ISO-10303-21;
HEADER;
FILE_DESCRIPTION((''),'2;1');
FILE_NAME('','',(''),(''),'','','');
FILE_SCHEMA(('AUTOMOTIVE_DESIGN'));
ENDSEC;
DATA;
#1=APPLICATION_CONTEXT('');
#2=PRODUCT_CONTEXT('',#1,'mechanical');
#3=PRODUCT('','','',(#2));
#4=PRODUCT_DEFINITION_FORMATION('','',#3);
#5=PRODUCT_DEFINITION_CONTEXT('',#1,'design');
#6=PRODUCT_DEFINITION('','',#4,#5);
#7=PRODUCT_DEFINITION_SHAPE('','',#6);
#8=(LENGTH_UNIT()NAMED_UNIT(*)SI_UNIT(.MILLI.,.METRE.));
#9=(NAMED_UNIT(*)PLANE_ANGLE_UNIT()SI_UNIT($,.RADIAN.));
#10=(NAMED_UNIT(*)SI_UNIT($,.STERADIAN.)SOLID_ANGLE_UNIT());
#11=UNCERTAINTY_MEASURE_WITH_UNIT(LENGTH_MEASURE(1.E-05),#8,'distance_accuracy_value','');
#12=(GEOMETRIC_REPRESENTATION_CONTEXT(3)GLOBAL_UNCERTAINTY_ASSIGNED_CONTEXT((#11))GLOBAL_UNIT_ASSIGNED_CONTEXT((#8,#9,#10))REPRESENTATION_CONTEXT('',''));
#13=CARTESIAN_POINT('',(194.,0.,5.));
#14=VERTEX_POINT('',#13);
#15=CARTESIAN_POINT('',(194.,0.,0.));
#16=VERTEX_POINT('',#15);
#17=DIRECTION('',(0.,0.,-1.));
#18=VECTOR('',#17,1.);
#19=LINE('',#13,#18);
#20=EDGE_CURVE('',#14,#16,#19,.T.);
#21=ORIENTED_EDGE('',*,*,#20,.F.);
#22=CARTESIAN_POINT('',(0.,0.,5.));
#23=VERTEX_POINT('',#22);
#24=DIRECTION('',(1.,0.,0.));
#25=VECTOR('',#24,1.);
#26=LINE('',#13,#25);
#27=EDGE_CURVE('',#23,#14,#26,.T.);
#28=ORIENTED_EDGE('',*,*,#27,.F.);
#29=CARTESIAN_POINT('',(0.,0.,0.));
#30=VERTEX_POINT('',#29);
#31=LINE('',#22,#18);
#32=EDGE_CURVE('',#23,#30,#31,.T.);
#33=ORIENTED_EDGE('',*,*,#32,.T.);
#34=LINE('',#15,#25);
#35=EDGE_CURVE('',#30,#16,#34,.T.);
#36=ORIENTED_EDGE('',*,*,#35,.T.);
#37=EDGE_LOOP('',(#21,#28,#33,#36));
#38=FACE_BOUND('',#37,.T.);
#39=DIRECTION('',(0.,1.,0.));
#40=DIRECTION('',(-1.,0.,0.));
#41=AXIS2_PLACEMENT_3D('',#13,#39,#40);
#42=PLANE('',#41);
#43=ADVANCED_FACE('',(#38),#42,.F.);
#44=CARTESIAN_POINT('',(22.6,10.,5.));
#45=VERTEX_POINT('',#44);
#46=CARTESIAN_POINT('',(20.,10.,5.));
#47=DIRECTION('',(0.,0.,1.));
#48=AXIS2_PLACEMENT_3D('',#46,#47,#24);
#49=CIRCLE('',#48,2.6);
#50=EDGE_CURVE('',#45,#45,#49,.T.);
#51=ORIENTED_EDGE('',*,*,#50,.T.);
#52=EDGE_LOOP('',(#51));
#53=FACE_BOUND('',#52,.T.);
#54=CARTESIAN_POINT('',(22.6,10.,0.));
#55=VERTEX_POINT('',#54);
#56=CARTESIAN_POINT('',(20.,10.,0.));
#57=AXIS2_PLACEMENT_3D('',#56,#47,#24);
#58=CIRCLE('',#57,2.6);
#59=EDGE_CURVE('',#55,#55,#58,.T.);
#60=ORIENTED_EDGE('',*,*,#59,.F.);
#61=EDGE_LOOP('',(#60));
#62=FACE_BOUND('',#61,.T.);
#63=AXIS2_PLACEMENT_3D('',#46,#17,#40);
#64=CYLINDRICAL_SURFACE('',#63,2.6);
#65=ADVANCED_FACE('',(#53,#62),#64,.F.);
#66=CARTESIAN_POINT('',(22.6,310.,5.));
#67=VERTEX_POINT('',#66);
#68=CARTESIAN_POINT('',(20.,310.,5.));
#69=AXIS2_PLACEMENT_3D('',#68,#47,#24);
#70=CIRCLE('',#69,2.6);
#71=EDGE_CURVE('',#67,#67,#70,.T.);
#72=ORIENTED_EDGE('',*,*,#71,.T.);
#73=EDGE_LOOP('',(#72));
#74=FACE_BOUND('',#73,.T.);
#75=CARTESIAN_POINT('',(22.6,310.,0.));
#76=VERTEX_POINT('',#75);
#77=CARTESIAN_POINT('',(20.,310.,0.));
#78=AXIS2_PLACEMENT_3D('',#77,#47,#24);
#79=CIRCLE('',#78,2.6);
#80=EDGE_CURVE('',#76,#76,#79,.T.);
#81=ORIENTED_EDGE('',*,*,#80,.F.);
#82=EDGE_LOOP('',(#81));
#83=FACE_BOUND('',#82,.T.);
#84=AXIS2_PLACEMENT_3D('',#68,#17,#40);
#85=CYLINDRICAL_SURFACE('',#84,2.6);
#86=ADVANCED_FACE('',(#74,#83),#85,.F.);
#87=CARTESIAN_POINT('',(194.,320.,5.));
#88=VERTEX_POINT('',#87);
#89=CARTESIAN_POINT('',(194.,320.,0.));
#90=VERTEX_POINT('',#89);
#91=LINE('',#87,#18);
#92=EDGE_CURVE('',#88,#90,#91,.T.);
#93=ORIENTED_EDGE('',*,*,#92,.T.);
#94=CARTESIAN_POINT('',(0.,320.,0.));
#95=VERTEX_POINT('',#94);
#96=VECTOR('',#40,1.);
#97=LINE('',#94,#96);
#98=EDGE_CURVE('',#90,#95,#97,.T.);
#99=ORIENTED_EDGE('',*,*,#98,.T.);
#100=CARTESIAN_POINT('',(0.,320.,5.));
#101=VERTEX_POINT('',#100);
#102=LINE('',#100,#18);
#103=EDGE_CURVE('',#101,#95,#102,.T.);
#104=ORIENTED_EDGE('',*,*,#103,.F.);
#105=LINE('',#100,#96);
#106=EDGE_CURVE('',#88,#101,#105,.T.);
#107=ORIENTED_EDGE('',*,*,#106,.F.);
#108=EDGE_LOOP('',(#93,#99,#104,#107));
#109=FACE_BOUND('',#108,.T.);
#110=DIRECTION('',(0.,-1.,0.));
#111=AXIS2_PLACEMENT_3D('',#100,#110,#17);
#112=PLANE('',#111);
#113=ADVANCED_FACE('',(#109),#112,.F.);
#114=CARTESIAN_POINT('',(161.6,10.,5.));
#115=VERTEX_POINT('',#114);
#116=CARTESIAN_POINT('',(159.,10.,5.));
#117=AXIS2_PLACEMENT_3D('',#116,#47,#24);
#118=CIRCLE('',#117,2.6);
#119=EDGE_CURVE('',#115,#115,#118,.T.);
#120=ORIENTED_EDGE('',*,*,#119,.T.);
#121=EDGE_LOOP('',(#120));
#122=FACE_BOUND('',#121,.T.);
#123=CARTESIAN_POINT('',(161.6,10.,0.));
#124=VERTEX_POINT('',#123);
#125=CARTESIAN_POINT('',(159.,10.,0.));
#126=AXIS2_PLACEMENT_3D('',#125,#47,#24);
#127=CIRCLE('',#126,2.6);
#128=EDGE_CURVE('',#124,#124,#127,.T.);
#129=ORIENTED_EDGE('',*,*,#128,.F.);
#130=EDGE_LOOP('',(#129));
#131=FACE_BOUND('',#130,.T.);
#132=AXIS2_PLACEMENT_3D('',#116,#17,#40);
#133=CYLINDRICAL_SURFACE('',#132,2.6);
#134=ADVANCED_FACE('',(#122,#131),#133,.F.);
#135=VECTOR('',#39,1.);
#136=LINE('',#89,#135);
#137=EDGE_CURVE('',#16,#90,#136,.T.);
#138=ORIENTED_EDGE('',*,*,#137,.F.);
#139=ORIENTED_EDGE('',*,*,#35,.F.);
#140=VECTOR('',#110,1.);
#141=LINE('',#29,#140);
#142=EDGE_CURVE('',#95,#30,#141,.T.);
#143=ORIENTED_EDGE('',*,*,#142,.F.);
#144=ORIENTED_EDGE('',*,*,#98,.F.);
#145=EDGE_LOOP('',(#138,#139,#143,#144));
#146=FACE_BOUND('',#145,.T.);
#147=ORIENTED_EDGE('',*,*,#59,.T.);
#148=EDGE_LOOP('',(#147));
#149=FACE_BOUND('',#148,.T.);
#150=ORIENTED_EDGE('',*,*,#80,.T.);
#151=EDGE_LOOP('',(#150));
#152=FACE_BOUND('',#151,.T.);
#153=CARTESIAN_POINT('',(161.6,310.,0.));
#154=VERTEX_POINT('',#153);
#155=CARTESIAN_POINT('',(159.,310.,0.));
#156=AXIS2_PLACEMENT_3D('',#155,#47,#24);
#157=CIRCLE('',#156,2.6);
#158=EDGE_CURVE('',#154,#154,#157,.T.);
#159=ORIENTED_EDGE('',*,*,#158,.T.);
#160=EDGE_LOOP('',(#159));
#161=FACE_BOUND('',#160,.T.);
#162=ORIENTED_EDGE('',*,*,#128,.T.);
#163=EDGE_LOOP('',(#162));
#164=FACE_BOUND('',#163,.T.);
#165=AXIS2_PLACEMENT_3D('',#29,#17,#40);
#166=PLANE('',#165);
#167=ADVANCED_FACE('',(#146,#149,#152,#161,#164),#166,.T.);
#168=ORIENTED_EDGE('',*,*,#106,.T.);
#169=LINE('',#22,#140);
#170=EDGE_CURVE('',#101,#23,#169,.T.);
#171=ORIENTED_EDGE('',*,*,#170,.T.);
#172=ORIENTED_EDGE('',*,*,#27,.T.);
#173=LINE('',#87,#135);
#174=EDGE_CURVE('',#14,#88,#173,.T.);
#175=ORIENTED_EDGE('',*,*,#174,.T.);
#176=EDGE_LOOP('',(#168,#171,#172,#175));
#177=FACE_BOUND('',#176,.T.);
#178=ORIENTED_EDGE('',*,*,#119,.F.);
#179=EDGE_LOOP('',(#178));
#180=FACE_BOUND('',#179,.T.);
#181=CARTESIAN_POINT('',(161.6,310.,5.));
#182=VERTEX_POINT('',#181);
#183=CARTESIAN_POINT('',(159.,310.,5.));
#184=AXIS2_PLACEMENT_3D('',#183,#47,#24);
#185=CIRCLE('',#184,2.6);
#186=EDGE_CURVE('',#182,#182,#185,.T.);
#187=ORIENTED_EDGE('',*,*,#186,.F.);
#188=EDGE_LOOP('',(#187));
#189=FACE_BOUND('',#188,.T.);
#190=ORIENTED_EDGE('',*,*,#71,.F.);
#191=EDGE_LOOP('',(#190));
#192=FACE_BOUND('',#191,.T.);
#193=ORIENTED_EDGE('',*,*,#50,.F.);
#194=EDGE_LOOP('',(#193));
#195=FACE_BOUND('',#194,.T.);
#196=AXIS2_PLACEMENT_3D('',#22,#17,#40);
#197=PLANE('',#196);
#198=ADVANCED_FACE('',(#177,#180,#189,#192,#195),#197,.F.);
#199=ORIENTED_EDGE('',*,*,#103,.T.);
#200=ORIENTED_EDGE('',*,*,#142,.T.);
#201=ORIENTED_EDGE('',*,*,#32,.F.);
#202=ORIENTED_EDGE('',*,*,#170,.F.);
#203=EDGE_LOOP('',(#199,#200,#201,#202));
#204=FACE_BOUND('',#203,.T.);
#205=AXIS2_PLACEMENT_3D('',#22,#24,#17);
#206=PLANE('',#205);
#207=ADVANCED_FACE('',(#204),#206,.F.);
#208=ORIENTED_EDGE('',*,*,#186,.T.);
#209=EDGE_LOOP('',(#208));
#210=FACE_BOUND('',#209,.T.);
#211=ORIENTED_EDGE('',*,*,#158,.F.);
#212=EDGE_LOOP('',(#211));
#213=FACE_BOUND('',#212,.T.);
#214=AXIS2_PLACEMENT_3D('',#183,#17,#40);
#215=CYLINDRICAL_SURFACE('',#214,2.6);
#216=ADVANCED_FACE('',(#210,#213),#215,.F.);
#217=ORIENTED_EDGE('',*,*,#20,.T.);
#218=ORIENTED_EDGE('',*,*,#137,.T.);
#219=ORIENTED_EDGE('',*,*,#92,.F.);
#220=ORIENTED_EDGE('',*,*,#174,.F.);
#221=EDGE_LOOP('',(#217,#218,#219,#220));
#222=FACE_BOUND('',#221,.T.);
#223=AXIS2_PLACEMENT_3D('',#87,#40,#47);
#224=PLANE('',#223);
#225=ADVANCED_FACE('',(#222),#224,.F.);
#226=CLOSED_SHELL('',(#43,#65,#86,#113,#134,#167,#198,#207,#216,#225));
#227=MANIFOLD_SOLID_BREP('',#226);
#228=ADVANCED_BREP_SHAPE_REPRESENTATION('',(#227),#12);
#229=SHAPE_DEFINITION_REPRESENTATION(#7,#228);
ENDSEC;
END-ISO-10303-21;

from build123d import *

# Parameters (mm, degrees)
SKETCH_1_W      = 194
SKETCH_1_H      = 320
SKETCH_1_R      = 2.6
EXTRUDE_1_DEPTH = 5


with BuildPart() as part:
    # 草图1 → 凸台-拉伸1 (new body)
    with BuildSketch(Plane.XY):
        with Locations((97, 160)):
            Rectangle(SKETCH_1_W, SKETCH_1_H)
        with Locations((20, 310)):
            Circle(SKETCH_1_R, mode=Mode.SUBTRACT)
        with Locations((159, 310)):
            Circle(SKETCH_1_R, mode=Mode.SUBTRACT)
        with Locations((159, 10)):
            Circle(SKETCH_1_R, mode=Mode.SUBTRACT)
        with Locations((20, 10)):
            Circle(SKETCH_1_R, mode=Mode.SUBTRACT)
    extrude(amount=EXTRUDE_1_DEPTH)


solid = part.part
